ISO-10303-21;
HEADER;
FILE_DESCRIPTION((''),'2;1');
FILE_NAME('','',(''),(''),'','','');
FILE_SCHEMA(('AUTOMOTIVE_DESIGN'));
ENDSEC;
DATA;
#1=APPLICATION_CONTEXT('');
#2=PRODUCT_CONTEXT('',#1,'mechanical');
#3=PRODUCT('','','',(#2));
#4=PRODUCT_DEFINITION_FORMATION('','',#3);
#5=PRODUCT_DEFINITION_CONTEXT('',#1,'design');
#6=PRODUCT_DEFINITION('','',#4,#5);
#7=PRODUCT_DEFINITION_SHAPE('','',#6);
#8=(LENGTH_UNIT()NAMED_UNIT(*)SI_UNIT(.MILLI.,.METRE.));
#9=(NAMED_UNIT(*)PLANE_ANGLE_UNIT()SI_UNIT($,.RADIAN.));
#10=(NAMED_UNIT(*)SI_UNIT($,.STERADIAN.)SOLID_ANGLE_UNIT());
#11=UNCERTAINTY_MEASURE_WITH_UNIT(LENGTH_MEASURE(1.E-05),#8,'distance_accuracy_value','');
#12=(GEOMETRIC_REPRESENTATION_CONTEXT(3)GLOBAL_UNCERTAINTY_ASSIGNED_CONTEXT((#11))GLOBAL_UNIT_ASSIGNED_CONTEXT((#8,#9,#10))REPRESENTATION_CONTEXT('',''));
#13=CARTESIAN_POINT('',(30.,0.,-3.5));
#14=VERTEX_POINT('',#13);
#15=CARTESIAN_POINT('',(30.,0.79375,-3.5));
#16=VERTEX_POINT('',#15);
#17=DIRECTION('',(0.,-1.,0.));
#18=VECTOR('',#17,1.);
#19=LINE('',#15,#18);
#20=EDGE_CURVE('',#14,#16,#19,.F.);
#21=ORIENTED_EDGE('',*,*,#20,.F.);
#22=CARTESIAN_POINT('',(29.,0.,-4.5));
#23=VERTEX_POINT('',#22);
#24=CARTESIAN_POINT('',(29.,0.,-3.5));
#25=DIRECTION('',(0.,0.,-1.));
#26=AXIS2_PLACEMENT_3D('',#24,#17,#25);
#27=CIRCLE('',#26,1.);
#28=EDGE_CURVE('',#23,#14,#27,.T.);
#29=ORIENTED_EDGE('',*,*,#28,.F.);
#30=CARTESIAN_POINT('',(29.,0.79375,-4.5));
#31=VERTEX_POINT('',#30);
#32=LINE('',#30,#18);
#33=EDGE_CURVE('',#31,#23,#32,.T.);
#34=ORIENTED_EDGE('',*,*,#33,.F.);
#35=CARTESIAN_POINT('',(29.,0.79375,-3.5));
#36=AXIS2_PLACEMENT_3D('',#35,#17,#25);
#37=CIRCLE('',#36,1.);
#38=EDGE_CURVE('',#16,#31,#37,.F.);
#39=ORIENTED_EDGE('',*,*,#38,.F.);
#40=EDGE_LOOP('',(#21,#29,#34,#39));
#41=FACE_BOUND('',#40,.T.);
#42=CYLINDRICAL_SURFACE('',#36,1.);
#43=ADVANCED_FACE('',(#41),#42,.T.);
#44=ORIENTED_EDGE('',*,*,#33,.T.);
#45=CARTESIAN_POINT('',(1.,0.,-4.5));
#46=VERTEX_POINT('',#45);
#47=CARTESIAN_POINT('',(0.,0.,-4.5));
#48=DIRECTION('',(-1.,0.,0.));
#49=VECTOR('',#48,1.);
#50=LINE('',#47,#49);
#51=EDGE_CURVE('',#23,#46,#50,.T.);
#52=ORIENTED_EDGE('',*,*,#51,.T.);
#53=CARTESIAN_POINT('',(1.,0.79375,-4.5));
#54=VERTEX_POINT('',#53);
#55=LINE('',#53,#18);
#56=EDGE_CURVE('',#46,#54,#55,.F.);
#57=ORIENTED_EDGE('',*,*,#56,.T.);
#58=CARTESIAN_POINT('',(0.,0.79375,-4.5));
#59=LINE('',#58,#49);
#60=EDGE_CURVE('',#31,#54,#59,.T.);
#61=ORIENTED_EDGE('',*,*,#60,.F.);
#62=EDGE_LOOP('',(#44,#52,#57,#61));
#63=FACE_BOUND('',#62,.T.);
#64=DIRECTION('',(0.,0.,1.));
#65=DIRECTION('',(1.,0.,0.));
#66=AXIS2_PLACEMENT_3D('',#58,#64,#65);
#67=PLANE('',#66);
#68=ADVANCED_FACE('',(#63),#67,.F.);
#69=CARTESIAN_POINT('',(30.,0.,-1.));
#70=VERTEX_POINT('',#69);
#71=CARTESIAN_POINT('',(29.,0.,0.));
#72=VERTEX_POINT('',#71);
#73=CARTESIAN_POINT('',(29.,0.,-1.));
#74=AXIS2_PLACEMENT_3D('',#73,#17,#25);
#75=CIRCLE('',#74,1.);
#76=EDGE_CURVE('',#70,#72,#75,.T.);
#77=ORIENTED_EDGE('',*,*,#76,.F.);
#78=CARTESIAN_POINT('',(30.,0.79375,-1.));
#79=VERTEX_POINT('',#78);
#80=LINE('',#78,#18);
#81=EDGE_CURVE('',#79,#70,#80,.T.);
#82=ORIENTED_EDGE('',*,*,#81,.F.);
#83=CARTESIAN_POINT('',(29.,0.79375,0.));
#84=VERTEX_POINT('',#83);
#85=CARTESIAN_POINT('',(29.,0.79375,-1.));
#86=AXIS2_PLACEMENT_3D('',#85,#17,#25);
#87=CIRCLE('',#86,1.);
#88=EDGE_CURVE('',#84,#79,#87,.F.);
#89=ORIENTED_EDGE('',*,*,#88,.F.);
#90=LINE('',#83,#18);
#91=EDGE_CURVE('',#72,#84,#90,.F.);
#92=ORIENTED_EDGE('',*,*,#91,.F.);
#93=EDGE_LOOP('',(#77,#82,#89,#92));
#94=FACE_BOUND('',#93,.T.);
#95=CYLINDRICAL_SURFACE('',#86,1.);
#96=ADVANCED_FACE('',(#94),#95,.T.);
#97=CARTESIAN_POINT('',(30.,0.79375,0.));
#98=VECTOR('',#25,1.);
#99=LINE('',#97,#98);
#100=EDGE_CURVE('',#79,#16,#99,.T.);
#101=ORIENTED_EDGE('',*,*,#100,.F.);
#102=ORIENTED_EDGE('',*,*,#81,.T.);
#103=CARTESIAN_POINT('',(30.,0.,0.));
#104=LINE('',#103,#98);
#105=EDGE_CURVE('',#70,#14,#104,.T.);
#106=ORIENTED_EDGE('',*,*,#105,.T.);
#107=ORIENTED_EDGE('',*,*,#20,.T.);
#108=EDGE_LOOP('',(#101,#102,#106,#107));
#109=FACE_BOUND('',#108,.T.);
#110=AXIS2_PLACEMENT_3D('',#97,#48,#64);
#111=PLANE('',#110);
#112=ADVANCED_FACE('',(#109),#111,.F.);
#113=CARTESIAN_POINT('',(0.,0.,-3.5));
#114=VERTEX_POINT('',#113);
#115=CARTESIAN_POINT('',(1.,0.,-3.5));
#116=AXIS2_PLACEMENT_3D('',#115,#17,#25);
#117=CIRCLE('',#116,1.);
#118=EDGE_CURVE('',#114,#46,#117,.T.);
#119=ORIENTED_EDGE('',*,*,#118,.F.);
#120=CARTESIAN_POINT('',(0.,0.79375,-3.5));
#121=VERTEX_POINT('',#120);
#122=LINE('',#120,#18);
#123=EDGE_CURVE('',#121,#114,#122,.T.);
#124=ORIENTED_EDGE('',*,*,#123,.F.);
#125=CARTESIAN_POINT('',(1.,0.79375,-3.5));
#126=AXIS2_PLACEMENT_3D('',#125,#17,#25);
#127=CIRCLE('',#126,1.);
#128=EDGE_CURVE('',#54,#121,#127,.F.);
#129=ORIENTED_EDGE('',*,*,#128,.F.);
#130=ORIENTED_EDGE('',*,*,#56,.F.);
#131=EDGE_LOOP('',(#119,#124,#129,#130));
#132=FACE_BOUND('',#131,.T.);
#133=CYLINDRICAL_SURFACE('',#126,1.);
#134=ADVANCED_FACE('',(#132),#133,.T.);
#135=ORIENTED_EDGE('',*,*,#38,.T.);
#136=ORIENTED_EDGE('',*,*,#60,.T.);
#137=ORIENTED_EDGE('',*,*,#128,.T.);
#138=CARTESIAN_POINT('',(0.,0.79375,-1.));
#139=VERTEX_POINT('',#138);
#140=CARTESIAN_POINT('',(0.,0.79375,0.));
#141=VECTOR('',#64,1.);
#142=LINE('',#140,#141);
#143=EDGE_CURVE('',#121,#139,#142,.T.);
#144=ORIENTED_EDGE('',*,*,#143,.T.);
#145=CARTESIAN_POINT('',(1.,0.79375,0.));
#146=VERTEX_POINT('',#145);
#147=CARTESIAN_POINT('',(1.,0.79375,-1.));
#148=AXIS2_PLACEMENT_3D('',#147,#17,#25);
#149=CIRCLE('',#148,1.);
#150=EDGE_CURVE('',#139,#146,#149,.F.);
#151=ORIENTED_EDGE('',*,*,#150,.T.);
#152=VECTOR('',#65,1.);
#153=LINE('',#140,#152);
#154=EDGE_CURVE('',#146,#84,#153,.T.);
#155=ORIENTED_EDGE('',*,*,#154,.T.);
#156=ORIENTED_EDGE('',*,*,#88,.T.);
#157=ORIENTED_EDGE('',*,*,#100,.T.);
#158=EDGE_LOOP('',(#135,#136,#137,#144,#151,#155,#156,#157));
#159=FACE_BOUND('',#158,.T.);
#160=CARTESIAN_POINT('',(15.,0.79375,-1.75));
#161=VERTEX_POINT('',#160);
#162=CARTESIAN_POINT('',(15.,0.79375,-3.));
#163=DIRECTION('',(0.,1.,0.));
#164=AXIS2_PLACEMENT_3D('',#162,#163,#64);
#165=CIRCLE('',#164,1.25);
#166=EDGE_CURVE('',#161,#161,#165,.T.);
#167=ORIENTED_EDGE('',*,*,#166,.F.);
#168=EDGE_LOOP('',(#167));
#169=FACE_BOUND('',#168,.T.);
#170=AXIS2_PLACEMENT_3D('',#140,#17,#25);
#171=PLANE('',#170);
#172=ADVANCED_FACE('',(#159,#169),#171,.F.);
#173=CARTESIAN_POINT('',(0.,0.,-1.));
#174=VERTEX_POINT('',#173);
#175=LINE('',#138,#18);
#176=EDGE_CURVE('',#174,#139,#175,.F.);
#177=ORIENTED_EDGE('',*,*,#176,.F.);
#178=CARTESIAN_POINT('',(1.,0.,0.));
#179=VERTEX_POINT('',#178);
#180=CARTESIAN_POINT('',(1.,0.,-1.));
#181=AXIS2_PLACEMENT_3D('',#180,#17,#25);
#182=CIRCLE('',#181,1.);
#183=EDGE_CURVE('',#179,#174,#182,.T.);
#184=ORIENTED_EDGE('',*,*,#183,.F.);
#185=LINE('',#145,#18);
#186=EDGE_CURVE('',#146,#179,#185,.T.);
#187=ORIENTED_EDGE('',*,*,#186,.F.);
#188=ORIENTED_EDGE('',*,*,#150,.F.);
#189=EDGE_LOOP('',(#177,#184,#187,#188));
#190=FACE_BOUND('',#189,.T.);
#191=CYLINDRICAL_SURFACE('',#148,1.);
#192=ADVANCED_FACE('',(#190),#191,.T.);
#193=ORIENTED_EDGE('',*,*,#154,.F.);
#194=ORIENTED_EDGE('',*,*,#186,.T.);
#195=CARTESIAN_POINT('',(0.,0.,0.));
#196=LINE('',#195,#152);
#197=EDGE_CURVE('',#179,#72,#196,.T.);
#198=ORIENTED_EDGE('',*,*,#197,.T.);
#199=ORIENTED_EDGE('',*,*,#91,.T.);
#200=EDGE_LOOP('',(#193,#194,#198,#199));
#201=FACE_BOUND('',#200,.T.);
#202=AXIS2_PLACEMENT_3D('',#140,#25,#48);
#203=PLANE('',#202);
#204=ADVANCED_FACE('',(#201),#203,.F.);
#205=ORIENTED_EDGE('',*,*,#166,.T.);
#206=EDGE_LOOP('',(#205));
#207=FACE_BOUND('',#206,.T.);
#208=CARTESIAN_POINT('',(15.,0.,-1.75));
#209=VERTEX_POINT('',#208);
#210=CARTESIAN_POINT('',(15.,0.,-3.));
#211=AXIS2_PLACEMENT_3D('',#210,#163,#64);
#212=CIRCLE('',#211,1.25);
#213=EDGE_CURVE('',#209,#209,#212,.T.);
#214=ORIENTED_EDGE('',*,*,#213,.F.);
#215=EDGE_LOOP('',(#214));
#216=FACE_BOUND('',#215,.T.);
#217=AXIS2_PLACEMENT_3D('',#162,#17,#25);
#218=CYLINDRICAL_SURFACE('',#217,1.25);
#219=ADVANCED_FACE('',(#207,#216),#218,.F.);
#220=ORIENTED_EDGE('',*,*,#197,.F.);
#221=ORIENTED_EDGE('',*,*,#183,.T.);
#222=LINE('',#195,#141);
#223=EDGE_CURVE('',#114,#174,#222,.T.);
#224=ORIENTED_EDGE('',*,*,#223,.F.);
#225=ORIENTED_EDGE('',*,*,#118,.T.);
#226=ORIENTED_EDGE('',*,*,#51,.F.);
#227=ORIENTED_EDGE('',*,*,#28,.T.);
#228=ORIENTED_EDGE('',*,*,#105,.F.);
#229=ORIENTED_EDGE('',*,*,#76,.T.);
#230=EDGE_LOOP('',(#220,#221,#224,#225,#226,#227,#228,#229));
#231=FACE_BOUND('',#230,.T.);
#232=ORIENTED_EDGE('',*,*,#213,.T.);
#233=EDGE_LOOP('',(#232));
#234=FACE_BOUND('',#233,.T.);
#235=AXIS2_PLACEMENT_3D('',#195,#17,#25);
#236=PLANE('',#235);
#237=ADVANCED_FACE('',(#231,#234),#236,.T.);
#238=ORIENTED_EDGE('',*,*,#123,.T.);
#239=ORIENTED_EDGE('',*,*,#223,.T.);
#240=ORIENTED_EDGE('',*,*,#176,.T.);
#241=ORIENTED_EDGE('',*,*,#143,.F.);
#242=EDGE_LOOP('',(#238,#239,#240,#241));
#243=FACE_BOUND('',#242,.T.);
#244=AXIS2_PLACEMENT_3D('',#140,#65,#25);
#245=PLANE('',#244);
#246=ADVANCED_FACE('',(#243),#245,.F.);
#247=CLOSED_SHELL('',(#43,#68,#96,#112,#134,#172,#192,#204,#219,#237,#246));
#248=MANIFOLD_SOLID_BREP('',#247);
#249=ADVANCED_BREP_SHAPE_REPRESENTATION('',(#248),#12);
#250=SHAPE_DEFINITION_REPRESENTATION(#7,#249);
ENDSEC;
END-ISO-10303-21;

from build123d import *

# Parameters (mm, degrees)
SKETCH1_W           = 30
SKETCH1_H           = 4.5
SKETCH1_R           = 1.25
BOSS_EXTRUDE1_DEPTH = 0.79375
FILLET1_R           = 1


with BuildPart() as part:
    # Sketch1 → Boss-Extrude1 (new body)
    with BuildSketch(Plane(origin=(0, 0, 0), x_dir=(1, 0, 0), z_dir=(0, 1, 0))):
        with Locations((15, 2.25)):
            Rectangle(SKETCH1_W, SKETCH1_H)
        with Locations(Location((15, 3, 0), (0, 0, 270))):
            Circle(SKETCH1_R, mode=Mode.SUBTRACT)
    extrude(amount=BOSS_EXTRUDE1_DEPTH)

    # Fillet1
    fillet1_edges = [part.edges().sort_by_distance(p)[0] for p in [
        (0, 0.396875, -4.5),
        (30, 0.396875, -4.5),
        (30, 0.396875, 0),
        (0, 0.396875, 0),
    ]]
    fillet(fillet1_edges, radius=FILLET1_R)


solid = part.part
